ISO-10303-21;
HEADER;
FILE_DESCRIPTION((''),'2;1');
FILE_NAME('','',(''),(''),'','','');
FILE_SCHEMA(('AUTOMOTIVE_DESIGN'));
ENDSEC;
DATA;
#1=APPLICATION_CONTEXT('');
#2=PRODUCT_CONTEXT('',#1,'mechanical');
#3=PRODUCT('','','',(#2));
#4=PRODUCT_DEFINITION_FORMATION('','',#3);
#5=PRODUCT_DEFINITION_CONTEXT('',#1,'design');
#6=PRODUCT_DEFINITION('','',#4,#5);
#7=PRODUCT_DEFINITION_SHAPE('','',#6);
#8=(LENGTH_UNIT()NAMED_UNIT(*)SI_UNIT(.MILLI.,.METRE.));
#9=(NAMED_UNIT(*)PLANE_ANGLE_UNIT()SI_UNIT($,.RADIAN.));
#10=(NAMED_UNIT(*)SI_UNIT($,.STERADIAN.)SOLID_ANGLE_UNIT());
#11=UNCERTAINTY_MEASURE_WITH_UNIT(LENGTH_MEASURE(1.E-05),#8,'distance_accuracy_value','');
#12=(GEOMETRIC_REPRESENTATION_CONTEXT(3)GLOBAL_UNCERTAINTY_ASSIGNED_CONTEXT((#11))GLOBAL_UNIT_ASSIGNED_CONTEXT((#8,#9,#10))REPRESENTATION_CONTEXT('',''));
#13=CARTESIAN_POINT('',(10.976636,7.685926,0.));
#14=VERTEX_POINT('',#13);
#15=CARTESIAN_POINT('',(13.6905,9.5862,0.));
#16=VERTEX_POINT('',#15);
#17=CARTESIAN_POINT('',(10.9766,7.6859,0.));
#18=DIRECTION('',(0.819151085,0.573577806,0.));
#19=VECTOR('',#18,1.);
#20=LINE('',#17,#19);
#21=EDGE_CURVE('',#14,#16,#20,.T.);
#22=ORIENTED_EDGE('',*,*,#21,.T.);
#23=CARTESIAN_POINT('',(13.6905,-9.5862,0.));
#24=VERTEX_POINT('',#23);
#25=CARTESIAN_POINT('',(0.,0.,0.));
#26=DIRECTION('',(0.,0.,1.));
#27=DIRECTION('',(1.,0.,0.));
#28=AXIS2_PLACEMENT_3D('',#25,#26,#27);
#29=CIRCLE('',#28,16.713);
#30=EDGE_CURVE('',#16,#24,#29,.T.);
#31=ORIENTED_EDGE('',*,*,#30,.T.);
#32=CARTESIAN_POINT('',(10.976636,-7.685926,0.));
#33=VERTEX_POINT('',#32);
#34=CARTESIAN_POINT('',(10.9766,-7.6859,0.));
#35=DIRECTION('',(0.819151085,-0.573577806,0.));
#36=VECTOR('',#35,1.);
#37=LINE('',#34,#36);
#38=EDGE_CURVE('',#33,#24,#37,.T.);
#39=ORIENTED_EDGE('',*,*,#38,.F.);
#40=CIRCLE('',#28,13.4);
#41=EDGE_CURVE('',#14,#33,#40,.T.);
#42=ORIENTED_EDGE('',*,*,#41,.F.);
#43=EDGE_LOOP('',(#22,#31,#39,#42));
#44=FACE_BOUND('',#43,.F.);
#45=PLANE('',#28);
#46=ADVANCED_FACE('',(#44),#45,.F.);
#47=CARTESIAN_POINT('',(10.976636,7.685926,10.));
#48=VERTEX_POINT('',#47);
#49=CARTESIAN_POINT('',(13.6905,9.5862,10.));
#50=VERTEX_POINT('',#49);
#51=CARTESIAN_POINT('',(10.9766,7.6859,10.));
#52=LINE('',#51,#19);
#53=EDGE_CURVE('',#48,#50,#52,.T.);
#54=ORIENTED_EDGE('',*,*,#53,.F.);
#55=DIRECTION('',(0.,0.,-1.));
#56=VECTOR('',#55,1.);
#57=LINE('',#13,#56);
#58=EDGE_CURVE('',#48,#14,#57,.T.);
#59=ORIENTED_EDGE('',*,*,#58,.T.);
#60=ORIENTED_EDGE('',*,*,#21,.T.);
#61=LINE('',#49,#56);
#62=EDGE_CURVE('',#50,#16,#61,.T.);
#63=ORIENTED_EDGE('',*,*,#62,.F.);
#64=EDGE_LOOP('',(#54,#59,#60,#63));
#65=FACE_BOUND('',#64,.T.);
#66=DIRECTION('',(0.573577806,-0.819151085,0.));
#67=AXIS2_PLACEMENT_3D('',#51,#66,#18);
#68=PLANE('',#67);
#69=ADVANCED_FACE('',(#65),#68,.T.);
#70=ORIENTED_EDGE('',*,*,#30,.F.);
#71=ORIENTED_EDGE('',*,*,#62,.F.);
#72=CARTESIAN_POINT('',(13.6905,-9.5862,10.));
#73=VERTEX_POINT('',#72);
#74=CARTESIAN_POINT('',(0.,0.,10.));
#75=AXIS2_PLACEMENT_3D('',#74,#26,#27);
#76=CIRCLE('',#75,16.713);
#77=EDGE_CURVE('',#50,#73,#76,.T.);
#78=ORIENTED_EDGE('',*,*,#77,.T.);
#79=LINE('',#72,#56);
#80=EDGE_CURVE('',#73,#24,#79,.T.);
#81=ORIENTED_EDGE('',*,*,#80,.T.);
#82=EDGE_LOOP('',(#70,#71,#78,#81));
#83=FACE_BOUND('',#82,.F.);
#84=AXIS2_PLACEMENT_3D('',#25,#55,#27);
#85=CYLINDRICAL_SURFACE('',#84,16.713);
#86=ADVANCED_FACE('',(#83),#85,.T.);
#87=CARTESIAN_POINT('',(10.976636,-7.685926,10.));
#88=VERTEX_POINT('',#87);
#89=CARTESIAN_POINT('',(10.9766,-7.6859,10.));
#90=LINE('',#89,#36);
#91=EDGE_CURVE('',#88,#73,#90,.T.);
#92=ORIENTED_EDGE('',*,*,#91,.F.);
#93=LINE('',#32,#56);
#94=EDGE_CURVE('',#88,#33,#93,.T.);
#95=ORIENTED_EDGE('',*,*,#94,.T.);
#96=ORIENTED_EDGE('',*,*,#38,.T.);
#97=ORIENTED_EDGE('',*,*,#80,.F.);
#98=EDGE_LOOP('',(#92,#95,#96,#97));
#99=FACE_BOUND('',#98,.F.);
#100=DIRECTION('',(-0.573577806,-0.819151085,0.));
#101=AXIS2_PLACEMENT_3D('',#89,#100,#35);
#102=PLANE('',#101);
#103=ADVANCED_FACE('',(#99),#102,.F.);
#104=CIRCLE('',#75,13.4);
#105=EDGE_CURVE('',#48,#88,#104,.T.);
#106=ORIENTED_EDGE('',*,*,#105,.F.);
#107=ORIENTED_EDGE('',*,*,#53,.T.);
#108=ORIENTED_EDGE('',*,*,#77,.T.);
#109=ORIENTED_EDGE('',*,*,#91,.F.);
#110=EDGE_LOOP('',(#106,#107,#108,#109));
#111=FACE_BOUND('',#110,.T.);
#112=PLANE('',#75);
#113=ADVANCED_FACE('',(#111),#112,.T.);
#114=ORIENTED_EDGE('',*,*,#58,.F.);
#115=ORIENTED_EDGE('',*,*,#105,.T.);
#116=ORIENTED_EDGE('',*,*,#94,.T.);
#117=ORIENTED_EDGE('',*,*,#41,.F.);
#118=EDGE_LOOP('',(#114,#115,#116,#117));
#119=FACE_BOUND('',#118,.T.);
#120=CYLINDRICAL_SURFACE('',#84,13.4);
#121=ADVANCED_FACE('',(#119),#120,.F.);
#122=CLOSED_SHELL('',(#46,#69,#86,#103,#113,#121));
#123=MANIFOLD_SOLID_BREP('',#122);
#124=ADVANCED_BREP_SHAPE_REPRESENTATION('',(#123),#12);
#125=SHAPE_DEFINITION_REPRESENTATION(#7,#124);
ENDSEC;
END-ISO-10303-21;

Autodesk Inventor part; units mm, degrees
ref_plane "YZ Plane" through (0, 0, 0) normal (1, 0, 0) x (0, 1, 0)
ref_plane "XZ Plane" through (0, 0, 0) normal (0, 1, 0) x (-1, 0, 0)
ref_plane "XY Plane" through (0, 0, 0) normal (0, 0, 1) x (1, 0, 0)
sketch "Sketch1" plane through (0, 0, 0) normal (0, 0, 1) x (1, 0, 0)
  circle A0 centre (0, 0) radius 16.713
  circle A1 centre (0, 0) radius 13.4
  dimension "d0" = 33.426
  dimension "d1" = 26.8
extrude "Extrusion1" add sketch "Sketch1" along normal blind 10
sketch "Sketch5" plane through (0, 0, 10) normal (0, 0, 1) x (1, 0, 0)
  line L0 (10.9766, 7.6859) -> (13.6905, 9.5862)
  circle A0 centre (0, 0) radius 16.713 projected
  line L1 (0, 0) -> (16.713, 0) construction
  line L2 (10.9766, -7.6859) -> (13.6905, -9.5862)
  line L3 (0, 0) -> (16.713, 0) construction
  arc A1 (10.9766, -7.6859) -> (10.9766, 7.6859) centre (0, 0) ccw
  dimension "d27" = 35
  dimension "d28" = 35
extrude "Extrusion5" cut sketch "Sketch5" against normal blind 10 contours L0 A0 L2 A1 picked at (13.3377, 7.9639)
properties part number "coupler" material "Acetal Resin, White"
